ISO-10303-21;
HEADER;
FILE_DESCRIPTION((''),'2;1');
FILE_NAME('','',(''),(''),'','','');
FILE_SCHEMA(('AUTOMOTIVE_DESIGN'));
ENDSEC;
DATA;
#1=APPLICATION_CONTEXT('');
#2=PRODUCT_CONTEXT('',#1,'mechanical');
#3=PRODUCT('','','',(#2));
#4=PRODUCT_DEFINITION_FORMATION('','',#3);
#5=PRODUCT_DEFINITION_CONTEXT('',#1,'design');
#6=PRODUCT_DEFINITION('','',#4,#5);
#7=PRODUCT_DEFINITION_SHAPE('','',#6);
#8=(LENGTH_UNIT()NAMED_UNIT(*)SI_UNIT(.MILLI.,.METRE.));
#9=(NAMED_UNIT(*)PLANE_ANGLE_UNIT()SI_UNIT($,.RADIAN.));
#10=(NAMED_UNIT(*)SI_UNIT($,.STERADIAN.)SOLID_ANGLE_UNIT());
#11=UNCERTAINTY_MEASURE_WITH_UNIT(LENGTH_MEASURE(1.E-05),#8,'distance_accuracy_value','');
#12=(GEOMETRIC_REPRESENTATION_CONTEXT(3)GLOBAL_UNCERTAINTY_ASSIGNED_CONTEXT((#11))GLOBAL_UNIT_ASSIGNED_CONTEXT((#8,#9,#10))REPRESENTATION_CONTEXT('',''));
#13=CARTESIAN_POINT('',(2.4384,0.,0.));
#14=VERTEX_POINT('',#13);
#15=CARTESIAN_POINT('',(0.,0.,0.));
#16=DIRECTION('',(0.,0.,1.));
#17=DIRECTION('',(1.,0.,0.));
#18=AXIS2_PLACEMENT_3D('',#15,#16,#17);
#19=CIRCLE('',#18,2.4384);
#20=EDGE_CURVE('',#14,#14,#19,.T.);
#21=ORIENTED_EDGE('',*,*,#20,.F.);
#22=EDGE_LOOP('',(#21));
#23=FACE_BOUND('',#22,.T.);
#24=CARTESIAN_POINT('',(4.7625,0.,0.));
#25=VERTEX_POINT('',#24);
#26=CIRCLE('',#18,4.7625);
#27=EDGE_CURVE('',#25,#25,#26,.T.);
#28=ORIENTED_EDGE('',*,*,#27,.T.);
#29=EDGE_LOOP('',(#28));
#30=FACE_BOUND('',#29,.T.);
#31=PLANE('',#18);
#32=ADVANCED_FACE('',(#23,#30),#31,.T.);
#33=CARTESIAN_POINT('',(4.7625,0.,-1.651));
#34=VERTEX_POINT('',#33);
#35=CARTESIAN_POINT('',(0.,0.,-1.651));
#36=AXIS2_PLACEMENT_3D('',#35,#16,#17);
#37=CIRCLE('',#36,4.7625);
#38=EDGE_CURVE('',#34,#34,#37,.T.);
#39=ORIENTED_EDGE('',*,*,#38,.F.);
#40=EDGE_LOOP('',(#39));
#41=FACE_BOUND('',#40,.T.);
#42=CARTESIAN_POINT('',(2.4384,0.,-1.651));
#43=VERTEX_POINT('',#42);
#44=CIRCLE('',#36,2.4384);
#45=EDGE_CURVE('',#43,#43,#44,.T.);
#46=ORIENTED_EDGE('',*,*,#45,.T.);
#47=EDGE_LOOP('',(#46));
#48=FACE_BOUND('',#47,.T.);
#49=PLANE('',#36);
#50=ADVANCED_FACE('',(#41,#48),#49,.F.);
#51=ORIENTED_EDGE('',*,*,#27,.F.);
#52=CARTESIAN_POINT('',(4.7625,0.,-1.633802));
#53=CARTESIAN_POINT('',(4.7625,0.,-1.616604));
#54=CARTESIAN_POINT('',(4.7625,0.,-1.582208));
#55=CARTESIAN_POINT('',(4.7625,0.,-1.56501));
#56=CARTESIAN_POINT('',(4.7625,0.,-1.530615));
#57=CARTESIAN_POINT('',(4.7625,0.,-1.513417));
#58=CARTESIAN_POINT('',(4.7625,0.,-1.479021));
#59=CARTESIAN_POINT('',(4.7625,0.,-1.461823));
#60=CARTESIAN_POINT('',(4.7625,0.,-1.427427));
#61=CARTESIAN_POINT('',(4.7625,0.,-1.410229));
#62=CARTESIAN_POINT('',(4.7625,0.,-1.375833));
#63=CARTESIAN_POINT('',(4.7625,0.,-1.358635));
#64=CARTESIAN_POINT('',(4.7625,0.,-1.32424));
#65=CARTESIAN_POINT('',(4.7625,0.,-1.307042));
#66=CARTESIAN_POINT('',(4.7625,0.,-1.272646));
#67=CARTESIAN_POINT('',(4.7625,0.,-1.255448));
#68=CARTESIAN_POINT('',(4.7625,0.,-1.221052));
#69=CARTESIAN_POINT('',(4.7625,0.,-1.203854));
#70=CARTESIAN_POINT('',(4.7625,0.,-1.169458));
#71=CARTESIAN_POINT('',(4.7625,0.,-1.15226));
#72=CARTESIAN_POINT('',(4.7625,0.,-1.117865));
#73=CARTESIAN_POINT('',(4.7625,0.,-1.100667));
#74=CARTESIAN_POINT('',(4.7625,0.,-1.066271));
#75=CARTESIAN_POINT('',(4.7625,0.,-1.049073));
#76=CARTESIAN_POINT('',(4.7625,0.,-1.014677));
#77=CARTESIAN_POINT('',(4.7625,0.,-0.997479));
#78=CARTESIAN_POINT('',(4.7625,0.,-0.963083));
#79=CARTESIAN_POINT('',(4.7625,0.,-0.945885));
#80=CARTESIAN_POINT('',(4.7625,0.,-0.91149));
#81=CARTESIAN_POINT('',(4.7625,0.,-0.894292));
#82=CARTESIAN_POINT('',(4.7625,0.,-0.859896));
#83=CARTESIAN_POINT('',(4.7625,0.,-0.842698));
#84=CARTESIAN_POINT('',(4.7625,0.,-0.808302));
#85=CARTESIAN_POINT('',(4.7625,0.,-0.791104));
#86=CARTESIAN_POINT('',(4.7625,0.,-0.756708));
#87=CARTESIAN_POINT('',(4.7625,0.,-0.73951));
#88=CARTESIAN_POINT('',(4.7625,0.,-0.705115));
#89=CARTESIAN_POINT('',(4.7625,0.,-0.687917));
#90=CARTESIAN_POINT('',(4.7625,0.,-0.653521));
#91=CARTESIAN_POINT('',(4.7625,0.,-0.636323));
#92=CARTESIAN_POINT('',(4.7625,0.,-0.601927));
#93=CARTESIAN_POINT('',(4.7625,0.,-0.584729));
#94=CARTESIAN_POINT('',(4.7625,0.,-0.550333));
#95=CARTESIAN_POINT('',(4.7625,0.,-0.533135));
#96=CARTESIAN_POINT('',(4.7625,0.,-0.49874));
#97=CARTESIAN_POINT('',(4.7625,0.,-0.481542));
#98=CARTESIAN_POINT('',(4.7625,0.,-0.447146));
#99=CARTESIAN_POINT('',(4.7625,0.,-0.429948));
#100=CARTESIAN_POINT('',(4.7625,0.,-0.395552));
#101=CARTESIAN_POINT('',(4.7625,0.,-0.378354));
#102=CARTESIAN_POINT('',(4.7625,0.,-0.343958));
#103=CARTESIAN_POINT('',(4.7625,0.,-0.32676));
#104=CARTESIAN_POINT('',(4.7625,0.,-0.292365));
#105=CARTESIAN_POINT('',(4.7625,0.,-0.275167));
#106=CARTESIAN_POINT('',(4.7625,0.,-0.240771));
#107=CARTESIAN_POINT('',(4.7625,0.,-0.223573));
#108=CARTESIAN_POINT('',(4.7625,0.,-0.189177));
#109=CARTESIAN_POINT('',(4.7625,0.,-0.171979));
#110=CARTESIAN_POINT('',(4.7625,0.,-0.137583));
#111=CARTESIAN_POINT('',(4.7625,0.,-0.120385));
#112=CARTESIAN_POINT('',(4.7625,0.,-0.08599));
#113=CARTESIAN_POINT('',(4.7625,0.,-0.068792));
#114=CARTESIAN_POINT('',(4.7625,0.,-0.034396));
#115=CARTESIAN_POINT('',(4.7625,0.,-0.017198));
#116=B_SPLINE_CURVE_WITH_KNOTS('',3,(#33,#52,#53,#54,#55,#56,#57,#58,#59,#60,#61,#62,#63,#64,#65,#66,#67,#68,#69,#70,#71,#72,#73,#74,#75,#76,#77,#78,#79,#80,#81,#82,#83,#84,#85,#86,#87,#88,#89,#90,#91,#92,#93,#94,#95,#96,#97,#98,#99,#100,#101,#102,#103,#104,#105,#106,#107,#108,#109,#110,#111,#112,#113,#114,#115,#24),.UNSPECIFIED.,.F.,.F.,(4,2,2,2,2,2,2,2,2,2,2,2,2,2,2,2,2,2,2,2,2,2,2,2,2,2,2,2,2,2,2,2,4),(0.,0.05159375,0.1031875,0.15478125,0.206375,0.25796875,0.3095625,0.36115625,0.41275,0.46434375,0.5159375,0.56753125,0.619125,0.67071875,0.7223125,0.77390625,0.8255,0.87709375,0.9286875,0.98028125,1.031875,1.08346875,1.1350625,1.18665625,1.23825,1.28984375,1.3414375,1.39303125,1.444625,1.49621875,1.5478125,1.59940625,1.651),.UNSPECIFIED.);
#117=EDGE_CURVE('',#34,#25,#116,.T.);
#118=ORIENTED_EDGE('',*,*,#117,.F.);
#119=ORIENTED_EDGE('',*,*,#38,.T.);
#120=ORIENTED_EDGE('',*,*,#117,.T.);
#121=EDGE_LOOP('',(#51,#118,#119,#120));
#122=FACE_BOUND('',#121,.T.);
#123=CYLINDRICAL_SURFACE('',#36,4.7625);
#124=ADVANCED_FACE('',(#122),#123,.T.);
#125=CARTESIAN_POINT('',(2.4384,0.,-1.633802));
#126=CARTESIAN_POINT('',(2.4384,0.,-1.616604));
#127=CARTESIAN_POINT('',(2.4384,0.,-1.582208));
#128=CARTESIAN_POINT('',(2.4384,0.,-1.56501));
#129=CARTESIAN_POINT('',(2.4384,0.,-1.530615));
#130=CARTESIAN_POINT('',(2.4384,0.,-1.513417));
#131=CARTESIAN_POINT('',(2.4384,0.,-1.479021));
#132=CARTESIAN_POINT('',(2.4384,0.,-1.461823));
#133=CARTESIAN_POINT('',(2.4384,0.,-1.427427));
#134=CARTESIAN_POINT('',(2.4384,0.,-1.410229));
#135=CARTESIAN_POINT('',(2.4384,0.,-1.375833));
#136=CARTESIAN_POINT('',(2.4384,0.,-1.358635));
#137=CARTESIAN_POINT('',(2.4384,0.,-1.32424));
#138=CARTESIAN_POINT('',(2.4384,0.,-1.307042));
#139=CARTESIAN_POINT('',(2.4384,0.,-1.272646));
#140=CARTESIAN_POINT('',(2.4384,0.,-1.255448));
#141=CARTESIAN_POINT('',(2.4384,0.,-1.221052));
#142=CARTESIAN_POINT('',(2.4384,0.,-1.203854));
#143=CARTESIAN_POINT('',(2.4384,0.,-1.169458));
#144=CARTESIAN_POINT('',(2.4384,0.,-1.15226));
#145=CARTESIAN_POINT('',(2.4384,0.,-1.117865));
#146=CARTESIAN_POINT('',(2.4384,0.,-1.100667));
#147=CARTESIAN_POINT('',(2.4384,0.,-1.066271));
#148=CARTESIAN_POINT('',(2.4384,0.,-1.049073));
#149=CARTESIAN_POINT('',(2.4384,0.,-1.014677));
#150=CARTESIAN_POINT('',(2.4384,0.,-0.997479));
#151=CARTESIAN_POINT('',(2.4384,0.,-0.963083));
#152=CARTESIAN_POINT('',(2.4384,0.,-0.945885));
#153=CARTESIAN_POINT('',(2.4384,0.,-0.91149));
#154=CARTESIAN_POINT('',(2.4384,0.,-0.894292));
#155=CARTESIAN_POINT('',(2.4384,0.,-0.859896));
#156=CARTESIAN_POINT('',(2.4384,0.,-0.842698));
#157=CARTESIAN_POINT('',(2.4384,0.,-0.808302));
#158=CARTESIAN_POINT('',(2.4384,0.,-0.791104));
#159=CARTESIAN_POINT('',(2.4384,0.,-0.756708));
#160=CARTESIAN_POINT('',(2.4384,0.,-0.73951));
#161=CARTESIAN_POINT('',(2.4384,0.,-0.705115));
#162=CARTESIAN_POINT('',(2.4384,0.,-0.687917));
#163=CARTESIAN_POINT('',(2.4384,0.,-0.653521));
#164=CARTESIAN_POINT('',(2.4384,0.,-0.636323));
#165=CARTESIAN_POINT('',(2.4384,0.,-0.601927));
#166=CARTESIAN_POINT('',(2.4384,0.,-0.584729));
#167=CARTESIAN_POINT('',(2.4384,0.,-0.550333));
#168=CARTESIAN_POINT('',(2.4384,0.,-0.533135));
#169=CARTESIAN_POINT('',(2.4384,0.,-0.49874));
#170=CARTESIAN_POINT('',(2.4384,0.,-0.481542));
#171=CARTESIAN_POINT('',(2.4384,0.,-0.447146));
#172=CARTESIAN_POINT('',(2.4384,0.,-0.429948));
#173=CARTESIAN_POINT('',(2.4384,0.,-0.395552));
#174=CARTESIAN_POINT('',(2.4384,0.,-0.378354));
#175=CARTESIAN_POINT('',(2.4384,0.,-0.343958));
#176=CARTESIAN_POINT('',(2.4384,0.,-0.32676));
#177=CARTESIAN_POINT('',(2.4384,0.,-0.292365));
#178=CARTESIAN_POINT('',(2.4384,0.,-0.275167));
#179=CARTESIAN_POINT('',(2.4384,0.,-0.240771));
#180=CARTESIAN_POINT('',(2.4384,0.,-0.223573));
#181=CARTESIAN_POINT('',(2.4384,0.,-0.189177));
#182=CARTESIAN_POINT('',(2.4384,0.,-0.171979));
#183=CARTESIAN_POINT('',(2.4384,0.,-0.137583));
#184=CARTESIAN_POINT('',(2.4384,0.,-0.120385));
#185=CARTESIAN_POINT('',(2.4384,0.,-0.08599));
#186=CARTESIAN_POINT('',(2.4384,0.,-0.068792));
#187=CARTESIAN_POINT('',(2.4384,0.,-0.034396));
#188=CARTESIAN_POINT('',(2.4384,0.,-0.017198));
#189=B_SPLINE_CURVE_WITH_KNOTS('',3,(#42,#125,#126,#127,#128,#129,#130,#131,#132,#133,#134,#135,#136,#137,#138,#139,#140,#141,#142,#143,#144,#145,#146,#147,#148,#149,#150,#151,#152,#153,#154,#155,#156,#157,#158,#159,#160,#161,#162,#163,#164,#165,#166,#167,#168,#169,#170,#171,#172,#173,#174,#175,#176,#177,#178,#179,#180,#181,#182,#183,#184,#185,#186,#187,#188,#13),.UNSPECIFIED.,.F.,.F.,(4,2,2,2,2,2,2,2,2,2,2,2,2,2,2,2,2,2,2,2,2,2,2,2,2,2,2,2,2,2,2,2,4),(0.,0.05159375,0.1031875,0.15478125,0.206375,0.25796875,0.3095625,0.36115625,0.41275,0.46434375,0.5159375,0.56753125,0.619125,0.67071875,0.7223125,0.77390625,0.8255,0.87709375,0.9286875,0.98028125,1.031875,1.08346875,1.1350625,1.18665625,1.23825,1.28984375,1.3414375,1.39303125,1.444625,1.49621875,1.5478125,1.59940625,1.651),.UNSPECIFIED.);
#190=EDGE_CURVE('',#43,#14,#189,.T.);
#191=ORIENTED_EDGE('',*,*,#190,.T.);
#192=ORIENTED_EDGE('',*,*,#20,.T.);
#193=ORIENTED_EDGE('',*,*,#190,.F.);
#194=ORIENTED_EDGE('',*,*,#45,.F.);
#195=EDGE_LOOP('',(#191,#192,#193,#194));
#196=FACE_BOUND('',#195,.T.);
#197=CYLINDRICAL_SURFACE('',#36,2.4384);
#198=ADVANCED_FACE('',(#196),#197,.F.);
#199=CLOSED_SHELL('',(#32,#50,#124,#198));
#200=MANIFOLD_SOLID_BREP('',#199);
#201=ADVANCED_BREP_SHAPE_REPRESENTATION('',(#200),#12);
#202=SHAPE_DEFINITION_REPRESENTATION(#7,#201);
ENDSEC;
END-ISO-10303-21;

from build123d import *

# Parameters (mm, degrees)
SKETCH1_R      = 4.7625
SKETCH1_R_2    = 2.4384
EXTRUDE1_DEPTH = 1.651


with BuildPart() as part:
    # Sketch1 → Extrude1 (new body)
    with BuildSketch(Plane.XY):
        Circle(SKETCH1_R)
        Circle(SKETCH1_R_2, mode=Mode.SUBTRACT)
    extrude(amount=-EXTRUDE1_DEPTH)


solid = part.part
